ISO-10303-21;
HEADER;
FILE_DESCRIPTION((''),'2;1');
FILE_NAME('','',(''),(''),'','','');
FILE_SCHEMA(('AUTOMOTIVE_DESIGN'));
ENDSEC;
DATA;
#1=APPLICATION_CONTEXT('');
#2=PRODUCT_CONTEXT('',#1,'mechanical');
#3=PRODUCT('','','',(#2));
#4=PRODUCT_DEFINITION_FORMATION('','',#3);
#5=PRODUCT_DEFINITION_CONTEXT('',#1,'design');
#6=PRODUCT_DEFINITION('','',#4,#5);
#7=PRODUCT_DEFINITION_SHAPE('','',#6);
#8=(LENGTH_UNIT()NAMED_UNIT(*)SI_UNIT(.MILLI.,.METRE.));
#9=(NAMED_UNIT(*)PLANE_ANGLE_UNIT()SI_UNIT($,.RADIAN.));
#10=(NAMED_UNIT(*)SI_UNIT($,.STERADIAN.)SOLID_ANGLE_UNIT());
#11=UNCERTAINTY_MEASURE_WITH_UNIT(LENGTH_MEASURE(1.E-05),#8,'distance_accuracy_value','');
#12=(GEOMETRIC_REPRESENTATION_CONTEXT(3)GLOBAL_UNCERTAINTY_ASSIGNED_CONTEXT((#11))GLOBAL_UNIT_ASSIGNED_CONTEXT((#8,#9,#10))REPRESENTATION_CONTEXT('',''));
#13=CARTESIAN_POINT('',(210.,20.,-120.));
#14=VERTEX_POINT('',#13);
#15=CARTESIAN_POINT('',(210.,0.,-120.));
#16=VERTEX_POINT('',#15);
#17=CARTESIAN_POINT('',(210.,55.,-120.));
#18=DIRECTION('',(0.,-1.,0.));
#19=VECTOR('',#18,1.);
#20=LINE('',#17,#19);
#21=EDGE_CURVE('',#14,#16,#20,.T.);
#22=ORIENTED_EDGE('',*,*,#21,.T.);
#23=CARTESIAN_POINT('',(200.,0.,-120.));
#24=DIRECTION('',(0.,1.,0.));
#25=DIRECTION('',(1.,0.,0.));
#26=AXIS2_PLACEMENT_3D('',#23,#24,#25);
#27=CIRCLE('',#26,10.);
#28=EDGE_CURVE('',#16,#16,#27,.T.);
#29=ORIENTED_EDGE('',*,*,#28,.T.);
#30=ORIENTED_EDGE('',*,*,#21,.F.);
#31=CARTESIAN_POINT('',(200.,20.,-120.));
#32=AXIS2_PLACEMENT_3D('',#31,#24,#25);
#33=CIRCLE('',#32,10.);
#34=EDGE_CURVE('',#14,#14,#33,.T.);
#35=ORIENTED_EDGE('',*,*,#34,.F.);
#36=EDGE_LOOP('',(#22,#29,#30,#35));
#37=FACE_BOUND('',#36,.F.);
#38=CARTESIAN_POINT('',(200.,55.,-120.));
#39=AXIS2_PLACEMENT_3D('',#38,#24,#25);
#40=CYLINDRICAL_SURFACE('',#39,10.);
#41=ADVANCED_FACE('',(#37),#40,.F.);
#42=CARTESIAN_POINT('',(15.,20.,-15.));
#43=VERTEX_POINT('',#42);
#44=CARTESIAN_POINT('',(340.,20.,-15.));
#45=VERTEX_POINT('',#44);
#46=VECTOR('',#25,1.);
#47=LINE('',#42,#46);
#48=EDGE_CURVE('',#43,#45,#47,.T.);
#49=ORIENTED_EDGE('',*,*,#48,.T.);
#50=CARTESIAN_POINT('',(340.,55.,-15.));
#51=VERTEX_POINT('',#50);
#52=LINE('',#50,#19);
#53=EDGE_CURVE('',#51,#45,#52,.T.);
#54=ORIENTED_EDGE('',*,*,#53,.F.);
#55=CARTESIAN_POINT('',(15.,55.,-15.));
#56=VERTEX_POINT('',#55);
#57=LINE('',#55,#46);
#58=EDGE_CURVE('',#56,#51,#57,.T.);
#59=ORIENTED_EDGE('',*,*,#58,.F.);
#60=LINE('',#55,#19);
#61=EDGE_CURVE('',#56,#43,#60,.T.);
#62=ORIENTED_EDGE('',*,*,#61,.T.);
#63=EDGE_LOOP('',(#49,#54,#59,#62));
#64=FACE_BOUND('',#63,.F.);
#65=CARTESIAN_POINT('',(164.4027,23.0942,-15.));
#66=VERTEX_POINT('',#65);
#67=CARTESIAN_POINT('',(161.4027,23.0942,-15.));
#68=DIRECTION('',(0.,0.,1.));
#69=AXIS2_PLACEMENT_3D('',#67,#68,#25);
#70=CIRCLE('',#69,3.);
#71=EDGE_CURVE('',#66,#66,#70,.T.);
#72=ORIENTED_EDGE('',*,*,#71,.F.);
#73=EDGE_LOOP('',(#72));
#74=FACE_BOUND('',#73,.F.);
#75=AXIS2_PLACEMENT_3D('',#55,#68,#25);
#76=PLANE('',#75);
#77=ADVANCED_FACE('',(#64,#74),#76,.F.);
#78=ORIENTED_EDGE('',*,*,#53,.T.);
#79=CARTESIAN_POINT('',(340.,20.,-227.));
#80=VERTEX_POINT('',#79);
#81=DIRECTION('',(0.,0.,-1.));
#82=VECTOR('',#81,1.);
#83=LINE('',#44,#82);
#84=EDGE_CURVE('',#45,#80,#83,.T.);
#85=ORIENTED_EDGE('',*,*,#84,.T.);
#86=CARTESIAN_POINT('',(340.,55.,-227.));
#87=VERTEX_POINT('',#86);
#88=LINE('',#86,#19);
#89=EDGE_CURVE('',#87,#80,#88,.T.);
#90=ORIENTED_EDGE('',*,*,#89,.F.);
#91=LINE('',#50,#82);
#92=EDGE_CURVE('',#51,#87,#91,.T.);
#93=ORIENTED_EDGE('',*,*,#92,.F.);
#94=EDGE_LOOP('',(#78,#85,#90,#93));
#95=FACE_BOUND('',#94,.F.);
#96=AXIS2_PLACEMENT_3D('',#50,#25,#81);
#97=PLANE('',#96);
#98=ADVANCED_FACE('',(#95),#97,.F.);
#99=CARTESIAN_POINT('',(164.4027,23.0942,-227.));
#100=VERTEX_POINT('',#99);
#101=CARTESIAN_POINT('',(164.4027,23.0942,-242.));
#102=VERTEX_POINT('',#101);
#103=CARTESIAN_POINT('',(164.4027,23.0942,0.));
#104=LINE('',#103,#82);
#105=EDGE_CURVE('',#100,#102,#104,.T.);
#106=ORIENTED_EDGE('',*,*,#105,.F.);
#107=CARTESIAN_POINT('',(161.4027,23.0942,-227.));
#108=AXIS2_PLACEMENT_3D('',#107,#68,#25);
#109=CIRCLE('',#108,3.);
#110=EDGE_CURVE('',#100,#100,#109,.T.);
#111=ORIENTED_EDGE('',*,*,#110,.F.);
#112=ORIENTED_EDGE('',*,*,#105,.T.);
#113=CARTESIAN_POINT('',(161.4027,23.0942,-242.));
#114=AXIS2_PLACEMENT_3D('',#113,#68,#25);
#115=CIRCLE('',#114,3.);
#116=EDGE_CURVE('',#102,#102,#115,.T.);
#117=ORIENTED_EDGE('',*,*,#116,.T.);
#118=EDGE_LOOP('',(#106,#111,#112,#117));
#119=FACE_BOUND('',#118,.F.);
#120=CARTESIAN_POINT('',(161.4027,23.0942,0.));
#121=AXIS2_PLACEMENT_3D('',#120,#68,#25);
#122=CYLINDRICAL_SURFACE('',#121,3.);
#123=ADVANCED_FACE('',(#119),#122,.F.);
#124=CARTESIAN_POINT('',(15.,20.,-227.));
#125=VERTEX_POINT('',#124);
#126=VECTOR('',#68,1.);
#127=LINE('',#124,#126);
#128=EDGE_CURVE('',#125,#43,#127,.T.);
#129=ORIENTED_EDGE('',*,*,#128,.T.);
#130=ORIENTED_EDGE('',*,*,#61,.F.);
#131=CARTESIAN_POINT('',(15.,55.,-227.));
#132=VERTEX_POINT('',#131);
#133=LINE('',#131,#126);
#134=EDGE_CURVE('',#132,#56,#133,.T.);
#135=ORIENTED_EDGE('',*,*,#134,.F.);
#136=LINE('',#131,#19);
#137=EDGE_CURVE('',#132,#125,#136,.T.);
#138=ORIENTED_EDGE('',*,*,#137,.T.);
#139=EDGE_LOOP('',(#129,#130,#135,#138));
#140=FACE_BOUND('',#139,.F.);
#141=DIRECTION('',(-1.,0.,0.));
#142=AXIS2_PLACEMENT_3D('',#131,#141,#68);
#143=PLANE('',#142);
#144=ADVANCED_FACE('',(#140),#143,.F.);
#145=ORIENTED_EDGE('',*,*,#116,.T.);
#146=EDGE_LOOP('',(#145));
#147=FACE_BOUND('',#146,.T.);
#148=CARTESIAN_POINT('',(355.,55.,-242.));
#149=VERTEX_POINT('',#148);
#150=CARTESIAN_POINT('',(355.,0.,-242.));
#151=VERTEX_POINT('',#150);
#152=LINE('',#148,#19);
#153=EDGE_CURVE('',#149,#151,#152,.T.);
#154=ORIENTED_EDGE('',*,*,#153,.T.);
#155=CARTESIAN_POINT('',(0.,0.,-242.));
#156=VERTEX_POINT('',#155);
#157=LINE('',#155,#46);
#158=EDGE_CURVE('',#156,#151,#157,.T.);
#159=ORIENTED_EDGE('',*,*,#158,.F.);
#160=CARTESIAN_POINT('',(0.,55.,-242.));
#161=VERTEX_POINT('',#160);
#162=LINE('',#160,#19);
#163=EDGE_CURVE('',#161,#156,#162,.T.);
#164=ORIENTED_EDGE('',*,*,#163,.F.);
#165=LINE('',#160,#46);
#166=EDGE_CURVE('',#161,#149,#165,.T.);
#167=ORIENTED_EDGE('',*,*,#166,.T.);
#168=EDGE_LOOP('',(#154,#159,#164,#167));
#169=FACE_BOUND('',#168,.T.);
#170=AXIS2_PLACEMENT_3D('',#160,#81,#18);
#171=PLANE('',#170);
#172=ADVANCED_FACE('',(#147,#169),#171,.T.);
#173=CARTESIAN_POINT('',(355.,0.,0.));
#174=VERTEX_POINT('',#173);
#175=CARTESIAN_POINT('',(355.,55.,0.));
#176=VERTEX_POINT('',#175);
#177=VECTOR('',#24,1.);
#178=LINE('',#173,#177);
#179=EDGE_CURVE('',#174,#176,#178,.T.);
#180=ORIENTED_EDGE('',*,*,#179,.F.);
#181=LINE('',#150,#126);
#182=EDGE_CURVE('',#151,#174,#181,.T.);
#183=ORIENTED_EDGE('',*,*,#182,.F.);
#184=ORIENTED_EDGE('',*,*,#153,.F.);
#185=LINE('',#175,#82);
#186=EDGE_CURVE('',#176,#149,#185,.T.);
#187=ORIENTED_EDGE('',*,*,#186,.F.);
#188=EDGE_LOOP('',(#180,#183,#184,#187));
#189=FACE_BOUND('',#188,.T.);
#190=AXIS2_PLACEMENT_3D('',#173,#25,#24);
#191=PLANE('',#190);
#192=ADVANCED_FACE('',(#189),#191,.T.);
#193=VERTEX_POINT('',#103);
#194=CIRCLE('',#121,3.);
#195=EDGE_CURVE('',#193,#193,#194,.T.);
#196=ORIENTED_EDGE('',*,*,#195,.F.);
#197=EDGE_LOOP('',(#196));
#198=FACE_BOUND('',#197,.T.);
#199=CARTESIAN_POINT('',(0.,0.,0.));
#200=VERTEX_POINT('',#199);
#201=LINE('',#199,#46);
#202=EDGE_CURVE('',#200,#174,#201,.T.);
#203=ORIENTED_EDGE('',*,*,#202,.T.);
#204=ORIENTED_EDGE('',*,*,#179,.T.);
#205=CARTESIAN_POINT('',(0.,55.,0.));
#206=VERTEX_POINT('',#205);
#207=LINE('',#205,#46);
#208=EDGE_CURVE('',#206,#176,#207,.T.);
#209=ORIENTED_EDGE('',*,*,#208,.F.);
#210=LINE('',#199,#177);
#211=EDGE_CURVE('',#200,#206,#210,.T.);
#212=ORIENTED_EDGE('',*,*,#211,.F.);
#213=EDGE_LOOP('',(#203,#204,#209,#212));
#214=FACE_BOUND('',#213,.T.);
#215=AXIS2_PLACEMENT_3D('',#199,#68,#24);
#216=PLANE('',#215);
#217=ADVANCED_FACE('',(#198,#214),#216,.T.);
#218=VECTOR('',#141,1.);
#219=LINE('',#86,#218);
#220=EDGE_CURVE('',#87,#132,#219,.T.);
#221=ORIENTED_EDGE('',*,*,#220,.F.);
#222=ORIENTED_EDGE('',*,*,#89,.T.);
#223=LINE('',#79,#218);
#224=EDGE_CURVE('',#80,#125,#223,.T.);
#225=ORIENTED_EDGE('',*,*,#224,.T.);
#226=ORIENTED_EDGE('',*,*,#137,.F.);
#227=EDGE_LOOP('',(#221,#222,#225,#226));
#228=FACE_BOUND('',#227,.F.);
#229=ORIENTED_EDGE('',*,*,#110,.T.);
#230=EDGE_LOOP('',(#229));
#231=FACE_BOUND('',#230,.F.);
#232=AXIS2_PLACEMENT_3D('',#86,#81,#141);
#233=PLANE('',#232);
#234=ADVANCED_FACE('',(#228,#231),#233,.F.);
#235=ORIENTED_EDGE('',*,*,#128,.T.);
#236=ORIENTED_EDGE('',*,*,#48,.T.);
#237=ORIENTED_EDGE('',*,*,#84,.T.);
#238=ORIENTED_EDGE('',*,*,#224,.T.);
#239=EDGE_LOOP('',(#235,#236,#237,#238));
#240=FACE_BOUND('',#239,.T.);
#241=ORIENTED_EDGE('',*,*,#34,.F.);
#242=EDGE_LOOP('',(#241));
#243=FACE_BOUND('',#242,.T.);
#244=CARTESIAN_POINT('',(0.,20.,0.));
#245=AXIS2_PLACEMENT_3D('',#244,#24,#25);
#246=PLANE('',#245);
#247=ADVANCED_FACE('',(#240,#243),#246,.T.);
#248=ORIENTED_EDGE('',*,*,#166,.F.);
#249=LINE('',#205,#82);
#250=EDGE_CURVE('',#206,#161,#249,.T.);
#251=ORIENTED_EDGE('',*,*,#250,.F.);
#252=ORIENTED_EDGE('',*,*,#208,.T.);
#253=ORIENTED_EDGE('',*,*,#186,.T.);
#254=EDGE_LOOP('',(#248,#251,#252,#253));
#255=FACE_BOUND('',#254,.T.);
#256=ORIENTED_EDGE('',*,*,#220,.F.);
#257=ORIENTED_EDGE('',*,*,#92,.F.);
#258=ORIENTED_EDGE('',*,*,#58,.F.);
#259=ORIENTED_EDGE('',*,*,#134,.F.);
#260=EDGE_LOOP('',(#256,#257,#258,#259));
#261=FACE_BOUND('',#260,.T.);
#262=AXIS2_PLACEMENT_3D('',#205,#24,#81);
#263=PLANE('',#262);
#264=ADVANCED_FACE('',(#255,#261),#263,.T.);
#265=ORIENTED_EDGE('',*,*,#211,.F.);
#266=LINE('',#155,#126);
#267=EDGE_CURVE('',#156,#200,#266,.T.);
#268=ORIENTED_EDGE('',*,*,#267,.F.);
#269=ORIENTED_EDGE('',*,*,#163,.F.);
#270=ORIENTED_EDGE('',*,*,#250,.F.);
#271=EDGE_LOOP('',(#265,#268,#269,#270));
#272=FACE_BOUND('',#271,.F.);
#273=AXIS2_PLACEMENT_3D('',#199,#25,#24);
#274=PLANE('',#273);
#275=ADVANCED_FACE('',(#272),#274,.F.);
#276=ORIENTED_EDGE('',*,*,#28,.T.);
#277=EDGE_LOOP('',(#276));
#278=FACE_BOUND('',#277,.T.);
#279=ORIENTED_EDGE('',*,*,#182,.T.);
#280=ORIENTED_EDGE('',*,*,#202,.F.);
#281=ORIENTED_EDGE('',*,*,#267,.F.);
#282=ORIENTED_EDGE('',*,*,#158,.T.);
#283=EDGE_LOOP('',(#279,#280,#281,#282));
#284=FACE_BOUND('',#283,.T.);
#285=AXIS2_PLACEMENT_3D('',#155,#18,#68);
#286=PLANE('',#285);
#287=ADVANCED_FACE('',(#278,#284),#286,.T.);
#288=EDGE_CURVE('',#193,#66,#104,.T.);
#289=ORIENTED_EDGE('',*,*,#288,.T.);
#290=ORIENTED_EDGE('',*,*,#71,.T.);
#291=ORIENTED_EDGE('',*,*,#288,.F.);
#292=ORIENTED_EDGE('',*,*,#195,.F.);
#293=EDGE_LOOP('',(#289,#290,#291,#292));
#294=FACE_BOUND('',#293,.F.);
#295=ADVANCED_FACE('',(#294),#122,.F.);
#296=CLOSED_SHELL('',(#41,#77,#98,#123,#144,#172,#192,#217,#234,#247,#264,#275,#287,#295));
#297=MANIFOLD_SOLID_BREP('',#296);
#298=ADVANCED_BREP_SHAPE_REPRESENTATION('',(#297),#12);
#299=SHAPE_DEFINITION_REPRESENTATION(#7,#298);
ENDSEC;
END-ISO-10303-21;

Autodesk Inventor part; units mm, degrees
ref_plane "YZ Plane" through (0, 0, 0) normal (1, 0, 0) x (0, 1, 0)
ref_plane "XZ Plane" through (0, 0, 0) normal (0, 1, 0) x (-1, 0, 0)
ref_plane "XY Plane" through (0, 0, 0) normal (0, 0, 1) x (1, 0, 0)
sketch "Sketch3" plane through (0, 0, 0) normal (1, 0, 0) x (0, 1, 0)
  line L0 (0, 0) -> (55, 0)
  line L1 (55, 0) -> (55, -242)
  line L2 (55, -242) -> (0, -242)
  line L3 (0, -242) -> (0, 0)
  dimension "d4" = 55
  dimension "d5" = 242
extrude "Extrusion3" add sketch "Sketch3" along normal blind 355
sketch "Sketch7" plane through (0, 55, 0) normal (0, 1, 0) x (1, 0, 0)
  circle A0 centre (200, 120) radius 10
  point P0 (0, 0)
  dimension "d20" = 20
extrude "Extrusion7" cut sketch "Sketch7" against normal through all
sketch "Sketch8" plane through (0, 55, 0) normal (0, 1, 0) x (1, 0, 0)
  line L0 (15, 15) -> (340, 15)
  line L1 (340, 15) -> (340, 227)
  line L2 (340, 227) -> (15, 227)
  line L3 (15, 227) -> (15, 15)
  line L4 (355, 242) -> (355, 0) projected
  line L5 (0, 242) -> (355, 242) projected
  point P0 (0, 0)
  dimension "d23" = 15
  dimension "d24" = 15
extrude "Extrusion8" cut sketch "Sketch8" against normal blind 35
sketch "Sketch9" plane through (0, 0, 0) normal (0, 0, 1) x (1, 0, 0)
  circle A0 centre (161.4027, 23.0942) radius 3
  point P0 (0, 0)
  dimension "d27" = 6
extrude "Extrusion9" cut sketch "Sketch9" against normal through all
sketch "Sketch10" plane through (0, 0, 0) normal (0, 0, 1) x (1, 0, 0)
  circle A0 centre (161.4027, 23.0942) radius 3 projected
  line L0 (161.4027, 23.0942) -> (154.8421, 30.6413)
  line L1 (154.8421, 30.6413) -> (167.9633, 15.5471)
  line L2 (159.3568, 8.0655) -> (47.2098, -89.4224)
  line L3 (47.2098, -89.4224) -> (34.0886, -74.3282)
  line L4 (34.0886, -74.3282) -> (157.0784, 32.5853)
  line L5 (167.9633, 15.5471) -> (175.5104, 22.1077)
  line L6 (175.5104, 22.1077) -> (162.3892, 37.2019)
  line L7 (162.3892, 37.2019) -> (154.8421, 30.6413)
  line L8 (161.4027, 23.0942) -> (168.0923, 30.6413)
  line L9 (168.0923, 30.6413) -> (154.826, 15.6744)
  line L10 (166.3278, 8.7133) -> (242.6544, -36.0367)
  line L11 (252.77, -18.7834) -> (164.0495, 33.233)
  line L12 (154.826, 15.6744) -> (147.3426, 22.3075)
  line L13 (147.3426, 22.3075) -> (160.6088, 37.2744)
  line L14 (165.473, 32.9629) -> (168.0923, 30.6413)
  circle A1 centre (236.8486, -22.4261) radius 3
  arc A2 (165.473, 32.9629) -> (157.5568, 33.0011) centre (161.4931, 28.4728) ccw
  arc A3 (166.8279, 8.3855) -> (159.3568, 8.0655) centre (163.2931, 3.5373) ccw
  line L15 (236.8486, -22.4261) -> (193.7959, -35.5206)
  line L16 (193.7959, -35.5206) -> (161.7278, -73.8826)
  line L17 (236.8486, -22.4261) -> (280.0214, -35.1189)
  line L18 (280.0214, -35.1189) -> (312.2613, -73.3366)
  line L19 (236.8486, -22.4261) -> (233.9392, -12.8604)
  line L20 (236.8486, -22.4261) -> (239.7585, -31.9934)
  line L21 (193.7959, -35.5206) -> (190.6756, -25.2616)
  line L22 (193.7959, -35.5206) -> (196.7058, -45.0879)
  line L23 (235.2146, -12.4948) -> (196.0322, -23.7261)
  line L24 (206.7188, -42.0424) -> (235.1804, -33.3858)
  line L25 (193.7959, -35.5206) -> (203.8613, -43.9346)
  line L26 (193.7959, -35.5206) -> (186.1235, -29.107)
  line L27 (203.8613, -43.9346) -> (171.7932, -82.2966)
  line L28 (171.7932, -82.2966) -> (156.4485, -69.4693)
  line L29 (156.4485, -69.4693) -> (193.0821, -25.6457)
  line L30 (236.8486, -22.4261) -> (237.4753, -12.4458)
  line L31 (236.8486, -22.4261) -> (234.028, -32.0201)
  line L32 (280.0214, -35.1189) -> (282.842, -25.525)
  line L33 (282.842, -25.525) -> (277.2008, -44.7129)
  line L34 (238.6187, -33.3698) -> (272.5858, -43.3561)
  line L35 (283.9958, -25.8642) -> (238.5602, -12.5061)
  line L36 (280.0214, -35.1189) -> (287.6649, -28.671)
  line L37 (280.0214, -35.1189) -> (272.3779, -41.5669)
  line L38 (312.2613, -73.3366) -> (319.9048, -66.8886)
  line L39 (319.9048, -66.8886) -> (304.6177, -79.7846)
  line L40 (304.6177, -79.7846) -> (275.4795, -45.2437)
  line L41 (319.9048, -66.8886) -> (286.8895, -27.7518)
  arc A4 (196.0322, -23.7261) -> (193.0821, -25.6457) centre (197.6855, -29.4939) ccw
  arc A5 (206.7188, -42.0424) -> (203.8613, -43.9346) centre (208.4647, -47.7828) ccw
  arc A6 (236.3138, -12.2881) -> (233.3029, -13.4364) centre (236.8679, -18.2625) ccw
  arc A7 (238.6187, -33.3698) -> (235.1804, -33.3858) centre (236.9264, -39.1262) ccw
  arc A8 (286.8895, -27.7518) -> (283.9958, -25.8642) centre (282.3034, -31.6205) ccw
  arc A9 (275.4795, -45.2437) -> (272.5858, -43.3561) centre (270.8934, -49.1125) ccw
  arc A10 (164.0495, 33.233) -> (157.0784, 32.5853) centre (161.0148, 28.057) ccw
  arc A11 (166.3278, 8.7133) -> (159.3568, 8.0655) centre (163.2931, 3.5373) ccw
  arc A12 (238.5602, -12.5061) -> (235.2146, -12.4948) centre (236.8679, -18.2625) ccw
  line L42 (242.6544, -36.0367) -> (252.77, -18.7834)
  circle A13 centre (47.2098, -76.1722) radius 50
  circle A14 centre (306.8219, -66.8886) radius 50
  circle A15 centre (169.4822, -69.4693) radius 50
  point P0 (0, 0)
  point P1 (188.5165, -31.1074)
  dimension "d34" = 20
  dimension "d35" = 160
  dimension "d36" = 20
  dimension "d38" = 10
  dimension "d39" = 20
  dimension "d42" = 10
  dimension "d43" = 20
  dimension "d46" = 6
  dimension "d47" = 6
  dimension "d48" = 6
  dimension "d53" = 45
  dimension "d55" = 10
  dimension "d56" = 20
  dimension "d57" = 50
  dimension "d58" = 10
  dimension "d59" = 10
  dimension "d60" = 10
  dimension "d61" = 20
  dimension "d62" = 10
  dimension "d63" = 10
  dimension "d64" = 10
  dimension "d65" = 20
  dimension "d66" = 6
  dimension "d67" = 6
  dimension "d68" = 50
  dimension "d69" = 10
  dimension "d70" = 33.466
  dimension "d72" = 66.767
  dimension "d73" = 24.156
  dimension "d74" = 99.956
  dimension "d75" = 359.15
  dimension "d76" = 170.9804
  dimension "d77" = 63.131
  dimension "d78" = 54.5499
  dimension "d79" = 10
  dimension "d80" = 257.4003
  dimension "d83" = 6
  dimension "d84" = 108.617
  dimension "d85" = 102.79
  dimension "d86" = 64.83
  dimension "d87" = 154.83
  dimension "d88" = 20
  dimension "d89" = 100
  dimension "d90" = 78.1505
  dimension "d91" = 10.0851
  dimension "d92" = 10.0851
  dimension "d93" = 9.7519
  dimension "d94" = 9.5755
  dimension "d95" = 7.6246
  dimension "d96" = 31.5191
  dimension "d97" = 31.5191
  dimension "d98" = 9.8104
  dimension "d99" = 100
  dimension "d100" = 100
  dimension "d101" = 100
  dimension "d102" = 22.9203
  dimension "d103" = 64.1346
  dimension "d104" = 15.4047
  dimension "d105" = 105.0537
  dimension "d106" = 13.7623
ref_plane "Work Plane1" through (0, 0, -121) normal (0, 0, 1) x (1, 0, 0)
sketch "Sketch13" plane through (355, 0, 0) normal (1, 0, 0) x (0, 0, -1)
  point P0 (0, 0)
  point P1 (121, 27.5)
  point P2 (121, 27.5)
sketch "Sketch14" plane through (0, 0, 0) normal (-1, 0, 0) x (0, 0, 1)
  point P0 (0, 0)
  point P1 (-121, 27.5)
properties part number "base" material "Wood (Cherry)"
